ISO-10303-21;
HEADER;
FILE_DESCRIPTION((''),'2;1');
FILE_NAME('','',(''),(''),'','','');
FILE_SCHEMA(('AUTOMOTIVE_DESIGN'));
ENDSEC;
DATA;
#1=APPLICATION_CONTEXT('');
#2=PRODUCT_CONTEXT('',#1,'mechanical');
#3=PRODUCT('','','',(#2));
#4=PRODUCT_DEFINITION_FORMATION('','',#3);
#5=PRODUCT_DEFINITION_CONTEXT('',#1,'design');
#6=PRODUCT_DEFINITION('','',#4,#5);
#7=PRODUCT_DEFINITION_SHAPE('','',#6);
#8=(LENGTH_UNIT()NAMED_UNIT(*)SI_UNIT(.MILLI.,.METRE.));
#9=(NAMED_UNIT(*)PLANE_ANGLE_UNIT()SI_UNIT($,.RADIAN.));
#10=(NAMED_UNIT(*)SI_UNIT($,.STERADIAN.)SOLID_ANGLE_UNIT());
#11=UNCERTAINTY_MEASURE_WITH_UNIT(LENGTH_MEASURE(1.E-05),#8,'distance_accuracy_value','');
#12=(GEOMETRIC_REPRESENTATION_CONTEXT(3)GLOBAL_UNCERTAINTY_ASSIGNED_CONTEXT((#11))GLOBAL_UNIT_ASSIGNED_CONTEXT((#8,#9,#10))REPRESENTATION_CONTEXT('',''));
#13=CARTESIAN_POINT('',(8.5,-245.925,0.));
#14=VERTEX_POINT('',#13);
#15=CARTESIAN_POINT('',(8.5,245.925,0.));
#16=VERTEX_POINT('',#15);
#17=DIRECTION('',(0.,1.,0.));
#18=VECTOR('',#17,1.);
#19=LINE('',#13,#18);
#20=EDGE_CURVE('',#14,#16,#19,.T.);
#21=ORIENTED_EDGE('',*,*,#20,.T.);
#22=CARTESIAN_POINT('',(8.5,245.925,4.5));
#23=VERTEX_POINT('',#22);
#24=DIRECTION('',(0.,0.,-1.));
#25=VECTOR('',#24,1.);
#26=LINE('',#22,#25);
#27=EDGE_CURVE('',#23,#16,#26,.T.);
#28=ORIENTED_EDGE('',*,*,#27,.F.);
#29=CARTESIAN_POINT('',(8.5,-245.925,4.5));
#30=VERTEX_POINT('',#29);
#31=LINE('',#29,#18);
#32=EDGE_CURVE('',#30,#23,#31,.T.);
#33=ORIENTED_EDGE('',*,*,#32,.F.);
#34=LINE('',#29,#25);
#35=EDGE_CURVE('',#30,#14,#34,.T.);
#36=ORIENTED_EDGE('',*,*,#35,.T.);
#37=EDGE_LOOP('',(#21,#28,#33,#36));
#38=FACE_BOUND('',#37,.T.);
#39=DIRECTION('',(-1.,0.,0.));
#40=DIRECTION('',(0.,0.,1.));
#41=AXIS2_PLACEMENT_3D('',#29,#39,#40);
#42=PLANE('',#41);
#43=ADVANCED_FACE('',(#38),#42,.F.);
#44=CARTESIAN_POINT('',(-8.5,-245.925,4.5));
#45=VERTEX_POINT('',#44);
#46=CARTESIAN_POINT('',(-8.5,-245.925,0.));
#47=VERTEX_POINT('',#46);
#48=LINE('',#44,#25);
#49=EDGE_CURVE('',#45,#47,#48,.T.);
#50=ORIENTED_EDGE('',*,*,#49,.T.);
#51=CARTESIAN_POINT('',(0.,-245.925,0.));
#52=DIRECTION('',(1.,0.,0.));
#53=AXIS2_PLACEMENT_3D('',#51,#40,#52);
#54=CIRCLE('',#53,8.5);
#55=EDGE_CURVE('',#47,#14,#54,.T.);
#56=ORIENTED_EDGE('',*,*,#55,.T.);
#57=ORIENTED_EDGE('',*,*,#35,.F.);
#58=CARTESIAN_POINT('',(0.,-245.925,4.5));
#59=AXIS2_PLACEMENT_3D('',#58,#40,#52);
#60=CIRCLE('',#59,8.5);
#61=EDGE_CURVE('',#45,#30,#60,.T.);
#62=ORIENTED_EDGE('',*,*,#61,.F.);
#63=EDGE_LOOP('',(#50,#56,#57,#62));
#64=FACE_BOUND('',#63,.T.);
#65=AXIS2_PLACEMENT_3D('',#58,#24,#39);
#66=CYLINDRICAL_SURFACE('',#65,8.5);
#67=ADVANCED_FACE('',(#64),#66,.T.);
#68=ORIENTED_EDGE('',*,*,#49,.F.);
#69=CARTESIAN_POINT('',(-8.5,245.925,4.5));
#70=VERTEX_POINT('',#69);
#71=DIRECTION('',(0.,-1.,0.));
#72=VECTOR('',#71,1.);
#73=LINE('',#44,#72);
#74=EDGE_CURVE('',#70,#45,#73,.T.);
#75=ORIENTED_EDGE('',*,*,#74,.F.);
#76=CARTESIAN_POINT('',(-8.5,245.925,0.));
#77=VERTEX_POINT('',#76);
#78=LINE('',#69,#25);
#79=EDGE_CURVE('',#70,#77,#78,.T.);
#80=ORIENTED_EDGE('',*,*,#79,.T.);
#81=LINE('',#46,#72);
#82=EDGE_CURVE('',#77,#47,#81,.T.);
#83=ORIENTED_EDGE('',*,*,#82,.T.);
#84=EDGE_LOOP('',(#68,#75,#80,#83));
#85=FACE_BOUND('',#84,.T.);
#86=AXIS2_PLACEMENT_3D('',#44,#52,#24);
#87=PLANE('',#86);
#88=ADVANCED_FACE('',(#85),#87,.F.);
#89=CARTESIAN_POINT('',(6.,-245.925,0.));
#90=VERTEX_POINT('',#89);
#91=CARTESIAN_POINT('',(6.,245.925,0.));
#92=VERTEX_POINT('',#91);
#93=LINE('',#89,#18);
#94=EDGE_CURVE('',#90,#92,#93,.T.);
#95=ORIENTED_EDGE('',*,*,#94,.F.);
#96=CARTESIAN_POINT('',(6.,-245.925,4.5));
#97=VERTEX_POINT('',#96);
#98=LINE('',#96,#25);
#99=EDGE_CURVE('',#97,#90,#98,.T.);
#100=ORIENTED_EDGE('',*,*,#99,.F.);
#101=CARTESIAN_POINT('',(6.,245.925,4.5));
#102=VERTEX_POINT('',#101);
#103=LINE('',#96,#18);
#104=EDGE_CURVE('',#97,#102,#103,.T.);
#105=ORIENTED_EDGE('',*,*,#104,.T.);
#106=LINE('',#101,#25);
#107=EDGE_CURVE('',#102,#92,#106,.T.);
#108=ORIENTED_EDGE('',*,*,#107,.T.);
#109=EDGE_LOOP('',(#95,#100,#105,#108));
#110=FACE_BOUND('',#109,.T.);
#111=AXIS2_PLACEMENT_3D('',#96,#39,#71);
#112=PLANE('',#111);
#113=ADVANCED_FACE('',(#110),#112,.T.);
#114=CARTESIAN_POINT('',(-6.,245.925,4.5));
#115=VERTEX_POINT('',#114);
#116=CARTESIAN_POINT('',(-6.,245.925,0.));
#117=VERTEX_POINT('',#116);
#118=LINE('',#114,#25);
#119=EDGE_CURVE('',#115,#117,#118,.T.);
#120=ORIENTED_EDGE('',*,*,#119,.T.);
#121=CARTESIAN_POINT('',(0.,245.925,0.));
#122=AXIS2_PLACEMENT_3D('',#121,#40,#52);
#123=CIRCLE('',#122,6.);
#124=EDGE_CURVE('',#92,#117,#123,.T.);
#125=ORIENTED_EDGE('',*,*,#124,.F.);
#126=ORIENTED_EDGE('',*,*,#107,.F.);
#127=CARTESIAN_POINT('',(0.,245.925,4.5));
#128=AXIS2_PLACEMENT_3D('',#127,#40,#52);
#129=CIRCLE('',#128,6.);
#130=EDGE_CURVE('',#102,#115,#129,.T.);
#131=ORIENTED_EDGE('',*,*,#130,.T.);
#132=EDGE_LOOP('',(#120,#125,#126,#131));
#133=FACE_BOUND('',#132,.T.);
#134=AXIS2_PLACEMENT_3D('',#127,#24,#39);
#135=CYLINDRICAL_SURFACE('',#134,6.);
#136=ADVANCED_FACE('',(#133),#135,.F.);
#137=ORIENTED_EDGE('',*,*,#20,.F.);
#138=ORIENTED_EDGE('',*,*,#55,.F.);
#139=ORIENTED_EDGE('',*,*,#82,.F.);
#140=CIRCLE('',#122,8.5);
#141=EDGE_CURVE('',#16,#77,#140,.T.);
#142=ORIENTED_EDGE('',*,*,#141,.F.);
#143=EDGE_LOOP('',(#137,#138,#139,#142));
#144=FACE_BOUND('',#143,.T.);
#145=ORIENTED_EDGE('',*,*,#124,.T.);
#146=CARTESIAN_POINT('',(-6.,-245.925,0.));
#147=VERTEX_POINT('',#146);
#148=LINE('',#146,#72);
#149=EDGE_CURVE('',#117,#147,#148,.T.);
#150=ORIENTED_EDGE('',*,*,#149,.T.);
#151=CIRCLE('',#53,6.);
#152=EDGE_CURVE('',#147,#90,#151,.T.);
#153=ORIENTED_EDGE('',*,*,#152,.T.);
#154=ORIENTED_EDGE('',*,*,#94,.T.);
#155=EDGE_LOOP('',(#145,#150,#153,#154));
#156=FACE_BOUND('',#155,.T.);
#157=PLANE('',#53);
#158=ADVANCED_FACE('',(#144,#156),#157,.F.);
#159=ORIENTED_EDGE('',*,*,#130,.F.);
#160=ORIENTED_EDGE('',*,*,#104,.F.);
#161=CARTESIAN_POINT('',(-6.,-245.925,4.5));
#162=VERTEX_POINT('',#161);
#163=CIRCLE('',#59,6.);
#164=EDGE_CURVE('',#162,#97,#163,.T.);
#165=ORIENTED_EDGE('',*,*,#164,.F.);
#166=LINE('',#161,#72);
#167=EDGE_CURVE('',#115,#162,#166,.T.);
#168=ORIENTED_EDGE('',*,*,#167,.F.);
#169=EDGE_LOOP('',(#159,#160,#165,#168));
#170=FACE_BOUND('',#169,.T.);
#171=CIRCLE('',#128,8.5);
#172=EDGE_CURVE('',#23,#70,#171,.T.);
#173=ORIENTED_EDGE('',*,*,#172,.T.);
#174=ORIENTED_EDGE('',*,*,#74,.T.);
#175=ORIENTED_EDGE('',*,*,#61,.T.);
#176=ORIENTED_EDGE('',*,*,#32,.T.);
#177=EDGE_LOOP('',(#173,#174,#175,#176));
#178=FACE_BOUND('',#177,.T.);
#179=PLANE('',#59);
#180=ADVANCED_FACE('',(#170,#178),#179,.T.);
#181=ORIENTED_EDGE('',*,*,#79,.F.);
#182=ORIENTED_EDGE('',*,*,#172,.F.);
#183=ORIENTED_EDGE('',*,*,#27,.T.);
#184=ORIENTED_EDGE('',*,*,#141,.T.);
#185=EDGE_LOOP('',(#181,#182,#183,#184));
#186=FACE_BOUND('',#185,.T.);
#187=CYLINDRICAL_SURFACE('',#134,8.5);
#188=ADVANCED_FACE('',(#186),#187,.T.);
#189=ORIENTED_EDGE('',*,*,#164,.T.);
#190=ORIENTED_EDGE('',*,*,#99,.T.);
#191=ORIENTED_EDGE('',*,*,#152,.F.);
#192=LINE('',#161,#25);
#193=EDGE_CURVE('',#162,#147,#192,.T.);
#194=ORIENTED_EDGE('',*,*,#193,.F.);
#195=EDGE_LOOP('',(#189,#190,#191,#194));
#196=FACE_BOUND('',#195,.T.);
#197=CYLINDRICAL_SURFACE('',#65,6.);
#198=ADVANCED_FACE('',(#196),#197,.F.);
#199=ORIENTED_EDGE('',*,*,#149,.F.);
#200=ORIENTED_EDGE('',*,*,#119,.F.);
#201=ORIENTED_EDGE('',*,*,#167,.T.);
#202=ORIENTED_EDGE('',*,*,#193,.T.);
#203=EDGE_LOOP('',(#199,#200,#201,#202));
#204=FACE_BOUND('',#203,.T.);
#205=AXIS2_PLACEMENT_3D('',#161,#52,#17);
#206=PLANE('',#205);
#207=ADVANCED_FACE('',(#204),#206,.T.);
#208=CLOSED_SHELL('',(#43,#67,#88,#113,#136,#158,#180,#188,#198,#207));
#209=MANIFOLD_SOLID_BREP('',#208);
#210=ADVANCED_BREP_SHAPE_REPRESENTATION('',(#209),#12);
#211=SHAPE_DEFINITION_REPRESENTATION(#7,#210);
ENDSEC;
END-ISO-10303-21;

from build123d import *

# Parameters (mm, degrees)
EXTRUDE_1_DEPTH = 4.5


with BuildPart() as part:
    # Эскиз1 → Бобышка-Вытянуть1 (new body)
    with BuildSketch(Plane.XY):
        with BuildLine():
            Line((-8.5, -245.925), (-8.5, 245.925))
            ThreePointArc((-8.5, 245.925), (0, 254.425), (8.5, 245.925))
            Line((8.5, 245.925), (8.5, -245.925))
            ThreePointArc((8.5, -245.925), (0, -254.425), (-8.5, -245.925))
        make_face()
        with BuildLine():
            Line((-6, -245.925), (-6, 245.925))
            ThreePointArc((-6, 245.925), (0, 251.925), (6, 245.925))
            Line((6, 245.925), (6, -245.925))
            ThreePointArc((6, -245.925), (0, -251.925), (-6, -245.925))
        make_face(mode=Mode.SUBTRACT)
    extrude(amount=EXTRUDE_1_DEPTH)


solid = part.part
